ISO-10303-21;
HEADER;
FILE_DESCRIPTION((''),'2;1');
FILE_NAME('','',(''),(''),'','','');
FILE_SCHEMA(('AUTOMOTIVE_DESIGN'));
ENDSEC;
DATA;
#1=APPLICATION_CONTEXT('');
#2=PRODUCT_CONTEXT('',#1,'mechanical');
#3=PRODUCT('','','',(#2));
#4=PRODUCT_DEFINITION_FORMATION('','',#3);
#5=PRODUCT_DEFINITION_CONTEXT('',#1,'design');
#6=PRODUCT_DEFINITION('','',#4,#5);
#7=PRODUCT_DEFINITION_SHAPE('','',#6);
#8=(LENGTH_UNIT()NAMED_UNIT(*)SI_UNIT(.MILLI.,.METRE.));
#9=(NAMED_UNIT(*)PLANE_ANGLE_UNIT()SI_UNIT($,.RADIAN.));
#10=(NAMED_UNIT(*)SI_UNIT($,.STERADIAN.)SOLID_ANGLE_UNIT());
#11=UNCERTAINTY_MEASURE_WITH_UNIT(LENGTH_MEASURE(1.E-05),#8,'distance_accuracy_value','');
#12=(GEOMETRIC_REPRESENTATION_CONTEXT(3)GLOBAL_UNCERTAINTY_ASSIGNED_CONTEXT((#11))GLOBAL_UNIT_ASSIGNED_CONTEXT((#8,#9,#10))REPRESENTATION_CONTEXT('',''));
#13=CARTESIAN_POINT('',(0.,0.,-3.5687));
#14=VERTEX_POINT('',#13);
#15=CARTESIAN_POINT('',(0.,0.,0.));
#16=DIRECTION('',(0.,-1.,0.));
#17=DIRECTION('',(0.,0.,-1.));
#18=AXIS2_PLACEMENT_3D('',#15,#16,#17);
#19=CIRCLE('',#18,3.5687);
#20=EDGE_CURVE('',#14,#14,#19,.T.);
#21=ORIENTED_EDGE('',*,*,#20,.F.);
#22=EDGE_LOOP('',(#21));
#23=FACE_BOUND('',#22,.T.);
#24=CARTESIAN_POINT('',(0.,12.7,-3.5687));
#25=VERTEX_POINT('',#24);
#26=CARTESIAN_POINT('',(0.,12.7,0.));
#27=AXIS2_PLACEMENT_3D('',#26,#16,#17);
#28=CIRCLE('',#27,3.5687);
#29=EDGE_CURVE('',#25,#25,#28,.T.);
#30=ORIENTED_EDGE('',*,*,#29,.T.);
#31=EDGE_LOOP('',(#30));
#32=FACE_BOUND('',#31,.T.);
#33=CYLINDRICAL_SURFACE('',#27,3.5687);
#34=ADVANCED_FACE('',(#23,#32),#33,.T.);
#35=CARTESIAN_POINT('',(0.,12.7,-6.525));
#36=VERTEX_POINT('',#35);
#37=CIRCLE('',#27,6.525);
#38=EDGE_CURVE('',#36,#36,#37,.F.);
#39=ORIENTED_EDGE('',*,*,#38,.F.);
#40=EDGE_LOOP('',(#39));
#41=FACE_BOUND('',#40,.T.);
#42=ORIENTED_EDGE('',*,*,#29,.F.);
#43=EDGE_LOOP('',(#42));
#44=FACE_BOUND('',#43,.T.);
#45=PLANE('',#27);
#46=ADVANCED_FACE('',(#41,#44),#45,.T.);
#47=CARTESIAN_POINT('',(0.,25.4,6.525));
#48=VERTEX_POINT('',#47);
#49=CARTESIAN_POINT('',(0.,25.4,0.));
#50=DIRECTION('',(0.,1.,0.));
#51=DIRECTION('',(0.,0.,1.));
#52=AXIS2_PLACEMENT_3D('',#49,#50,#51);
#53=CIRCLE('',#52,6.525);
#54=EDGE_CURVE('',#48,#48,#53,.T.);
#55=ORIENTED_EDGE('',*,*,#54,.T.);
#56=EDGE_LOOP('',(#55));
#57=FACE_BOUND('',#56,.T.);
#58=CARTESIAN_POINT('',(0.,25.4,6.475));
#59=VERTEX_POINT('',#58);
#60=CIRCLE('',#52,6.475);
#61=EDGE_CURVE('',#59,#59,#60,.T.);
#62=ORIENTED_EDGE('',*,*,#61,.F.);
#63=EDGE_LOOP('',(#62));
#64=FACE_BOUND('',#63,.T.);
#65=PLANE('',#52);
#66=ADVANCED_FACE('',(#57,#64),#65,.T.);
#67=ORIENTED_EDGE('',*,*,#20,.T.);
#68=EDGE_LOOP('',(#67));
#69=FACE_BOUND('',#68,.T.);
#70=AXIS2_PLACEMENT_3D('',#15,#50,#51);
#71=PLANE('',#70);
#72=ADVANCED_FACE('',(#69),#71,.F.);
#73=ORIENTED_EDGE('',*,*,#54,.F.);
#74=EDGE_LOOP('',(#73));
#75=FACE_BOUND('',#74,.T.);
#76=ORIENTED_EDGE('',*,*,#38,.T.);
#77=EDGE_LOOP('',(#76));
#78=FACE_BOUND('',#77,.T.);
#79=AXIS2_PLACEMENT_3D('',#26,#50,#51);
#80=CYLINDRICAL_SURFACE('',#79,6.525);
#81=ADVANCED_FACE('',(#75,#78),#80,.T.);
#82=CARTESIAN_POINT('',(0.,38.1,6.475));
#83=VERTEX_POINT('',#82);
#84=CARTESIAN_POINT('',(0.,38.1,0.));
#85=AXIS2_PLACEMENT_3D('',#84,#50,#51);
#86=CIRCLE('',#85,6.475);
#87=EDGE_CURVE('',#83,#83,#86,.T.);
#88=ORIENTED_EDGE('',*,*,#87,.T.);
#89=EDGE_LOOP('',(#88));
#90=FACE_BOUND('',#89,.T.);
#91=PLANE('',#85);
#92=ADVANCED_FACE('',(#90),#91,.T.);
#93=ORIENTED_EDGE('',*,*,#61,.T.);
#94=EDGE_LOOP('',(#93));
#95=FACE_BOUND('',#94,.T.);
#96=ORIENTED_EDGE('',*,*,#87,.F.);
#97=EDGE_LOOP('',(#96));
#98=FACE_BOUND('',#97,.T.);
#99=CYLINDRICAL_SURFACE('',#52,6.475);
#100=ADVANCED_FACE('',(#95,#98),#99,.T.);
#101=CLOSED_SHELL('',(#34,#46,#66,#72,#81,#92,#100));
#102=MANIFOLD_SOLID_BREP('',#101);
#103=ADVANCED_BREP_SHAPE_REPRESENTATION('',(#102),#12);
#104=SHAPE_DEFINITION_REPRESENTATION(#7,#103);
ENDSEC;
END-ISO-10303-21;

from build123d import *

# Parameters (mm, degrees)
SKETCH1_R           = 7.14375
BOSS_EXTRUDE1_DEPTH = 38.1
SKETCH2_R           = 8.527519915
SKETCH2_R_2         = 6.475
CUT_EXTRUDE1_DEPTH  = 12.7
SKETCH3_R           = 7.783407402
SKETCH3_R_2         = 6.525
CUT_EXTRUDE2_DEPTH  = 12.7
SKETCH4_R           = 8.894302058
SKETCH4_R_2         = 3.5687
CUT_EXTRUDE3_DEPTH  = 12.7


with BuildPart() as part:
    # Sketch1 → Boss-Extrude1 (new body)
    with BuildSketch(Plane(origin=(0, 0, 0), x_dir=(1, 0, 0), z_dir=(0, 1, 0))):
        with Locations(Location((0, 0, 0), (0, 0, 90))):
            Circle(SKETCH1_R)
    extrude(amount=BOSS_EXTRUDE1_DEPTH)

    # Sketch2 → Cut-Extrude1 (cut)
    with BuildSketch(Plane(origin=(0, 38.1, 0), x_dir=(1, 0, 0), z_dir=(0, 1, 0))):
        Circle(SKETCH2_R)
        with Locations(Location((0, 0, 0), (0, 0, 270))):
            Circle(SKETCH2_R_2, mode=Mode.SUBTRACT)
    extrude(amount=-CUT_EXTRUDE1_DEPTH, mode=Mode.SUBTRACT)

    # Sketch3 → Cut-Extrude2 (cut)
    with BuildSketch(Plane(origin=(0, 25.4, 0), x_dir=(1, 0, 0), z_dir=(0, 1, 0))):
        Circle(SKETCH3_R)
        with Locations(Location((0, 0, 0), (0, 0, 270))):
            Circle(SKETCH3_R_2, mode=Mode.SUBTRACT)
    extrude(amount=-CUT_EXTRUDE2_DEPTH, mode=Mode.SUBTRACT)

    # Sketch4 → Cut-Extrude3 (cut)
    with BuildSketch(Plane.XZ):
        Circle(SKETCH4_R)
        with Locations(Location((0, 0, 0), (0, 0, 270))):
            Circle(SKETCH4_R_2, mode=Mode.SUBTRACT)
    extrude(amount=-CUT_EXTRUDE3_DEPTH, mode=Mode.SUBTRACT)


solid = part.part
